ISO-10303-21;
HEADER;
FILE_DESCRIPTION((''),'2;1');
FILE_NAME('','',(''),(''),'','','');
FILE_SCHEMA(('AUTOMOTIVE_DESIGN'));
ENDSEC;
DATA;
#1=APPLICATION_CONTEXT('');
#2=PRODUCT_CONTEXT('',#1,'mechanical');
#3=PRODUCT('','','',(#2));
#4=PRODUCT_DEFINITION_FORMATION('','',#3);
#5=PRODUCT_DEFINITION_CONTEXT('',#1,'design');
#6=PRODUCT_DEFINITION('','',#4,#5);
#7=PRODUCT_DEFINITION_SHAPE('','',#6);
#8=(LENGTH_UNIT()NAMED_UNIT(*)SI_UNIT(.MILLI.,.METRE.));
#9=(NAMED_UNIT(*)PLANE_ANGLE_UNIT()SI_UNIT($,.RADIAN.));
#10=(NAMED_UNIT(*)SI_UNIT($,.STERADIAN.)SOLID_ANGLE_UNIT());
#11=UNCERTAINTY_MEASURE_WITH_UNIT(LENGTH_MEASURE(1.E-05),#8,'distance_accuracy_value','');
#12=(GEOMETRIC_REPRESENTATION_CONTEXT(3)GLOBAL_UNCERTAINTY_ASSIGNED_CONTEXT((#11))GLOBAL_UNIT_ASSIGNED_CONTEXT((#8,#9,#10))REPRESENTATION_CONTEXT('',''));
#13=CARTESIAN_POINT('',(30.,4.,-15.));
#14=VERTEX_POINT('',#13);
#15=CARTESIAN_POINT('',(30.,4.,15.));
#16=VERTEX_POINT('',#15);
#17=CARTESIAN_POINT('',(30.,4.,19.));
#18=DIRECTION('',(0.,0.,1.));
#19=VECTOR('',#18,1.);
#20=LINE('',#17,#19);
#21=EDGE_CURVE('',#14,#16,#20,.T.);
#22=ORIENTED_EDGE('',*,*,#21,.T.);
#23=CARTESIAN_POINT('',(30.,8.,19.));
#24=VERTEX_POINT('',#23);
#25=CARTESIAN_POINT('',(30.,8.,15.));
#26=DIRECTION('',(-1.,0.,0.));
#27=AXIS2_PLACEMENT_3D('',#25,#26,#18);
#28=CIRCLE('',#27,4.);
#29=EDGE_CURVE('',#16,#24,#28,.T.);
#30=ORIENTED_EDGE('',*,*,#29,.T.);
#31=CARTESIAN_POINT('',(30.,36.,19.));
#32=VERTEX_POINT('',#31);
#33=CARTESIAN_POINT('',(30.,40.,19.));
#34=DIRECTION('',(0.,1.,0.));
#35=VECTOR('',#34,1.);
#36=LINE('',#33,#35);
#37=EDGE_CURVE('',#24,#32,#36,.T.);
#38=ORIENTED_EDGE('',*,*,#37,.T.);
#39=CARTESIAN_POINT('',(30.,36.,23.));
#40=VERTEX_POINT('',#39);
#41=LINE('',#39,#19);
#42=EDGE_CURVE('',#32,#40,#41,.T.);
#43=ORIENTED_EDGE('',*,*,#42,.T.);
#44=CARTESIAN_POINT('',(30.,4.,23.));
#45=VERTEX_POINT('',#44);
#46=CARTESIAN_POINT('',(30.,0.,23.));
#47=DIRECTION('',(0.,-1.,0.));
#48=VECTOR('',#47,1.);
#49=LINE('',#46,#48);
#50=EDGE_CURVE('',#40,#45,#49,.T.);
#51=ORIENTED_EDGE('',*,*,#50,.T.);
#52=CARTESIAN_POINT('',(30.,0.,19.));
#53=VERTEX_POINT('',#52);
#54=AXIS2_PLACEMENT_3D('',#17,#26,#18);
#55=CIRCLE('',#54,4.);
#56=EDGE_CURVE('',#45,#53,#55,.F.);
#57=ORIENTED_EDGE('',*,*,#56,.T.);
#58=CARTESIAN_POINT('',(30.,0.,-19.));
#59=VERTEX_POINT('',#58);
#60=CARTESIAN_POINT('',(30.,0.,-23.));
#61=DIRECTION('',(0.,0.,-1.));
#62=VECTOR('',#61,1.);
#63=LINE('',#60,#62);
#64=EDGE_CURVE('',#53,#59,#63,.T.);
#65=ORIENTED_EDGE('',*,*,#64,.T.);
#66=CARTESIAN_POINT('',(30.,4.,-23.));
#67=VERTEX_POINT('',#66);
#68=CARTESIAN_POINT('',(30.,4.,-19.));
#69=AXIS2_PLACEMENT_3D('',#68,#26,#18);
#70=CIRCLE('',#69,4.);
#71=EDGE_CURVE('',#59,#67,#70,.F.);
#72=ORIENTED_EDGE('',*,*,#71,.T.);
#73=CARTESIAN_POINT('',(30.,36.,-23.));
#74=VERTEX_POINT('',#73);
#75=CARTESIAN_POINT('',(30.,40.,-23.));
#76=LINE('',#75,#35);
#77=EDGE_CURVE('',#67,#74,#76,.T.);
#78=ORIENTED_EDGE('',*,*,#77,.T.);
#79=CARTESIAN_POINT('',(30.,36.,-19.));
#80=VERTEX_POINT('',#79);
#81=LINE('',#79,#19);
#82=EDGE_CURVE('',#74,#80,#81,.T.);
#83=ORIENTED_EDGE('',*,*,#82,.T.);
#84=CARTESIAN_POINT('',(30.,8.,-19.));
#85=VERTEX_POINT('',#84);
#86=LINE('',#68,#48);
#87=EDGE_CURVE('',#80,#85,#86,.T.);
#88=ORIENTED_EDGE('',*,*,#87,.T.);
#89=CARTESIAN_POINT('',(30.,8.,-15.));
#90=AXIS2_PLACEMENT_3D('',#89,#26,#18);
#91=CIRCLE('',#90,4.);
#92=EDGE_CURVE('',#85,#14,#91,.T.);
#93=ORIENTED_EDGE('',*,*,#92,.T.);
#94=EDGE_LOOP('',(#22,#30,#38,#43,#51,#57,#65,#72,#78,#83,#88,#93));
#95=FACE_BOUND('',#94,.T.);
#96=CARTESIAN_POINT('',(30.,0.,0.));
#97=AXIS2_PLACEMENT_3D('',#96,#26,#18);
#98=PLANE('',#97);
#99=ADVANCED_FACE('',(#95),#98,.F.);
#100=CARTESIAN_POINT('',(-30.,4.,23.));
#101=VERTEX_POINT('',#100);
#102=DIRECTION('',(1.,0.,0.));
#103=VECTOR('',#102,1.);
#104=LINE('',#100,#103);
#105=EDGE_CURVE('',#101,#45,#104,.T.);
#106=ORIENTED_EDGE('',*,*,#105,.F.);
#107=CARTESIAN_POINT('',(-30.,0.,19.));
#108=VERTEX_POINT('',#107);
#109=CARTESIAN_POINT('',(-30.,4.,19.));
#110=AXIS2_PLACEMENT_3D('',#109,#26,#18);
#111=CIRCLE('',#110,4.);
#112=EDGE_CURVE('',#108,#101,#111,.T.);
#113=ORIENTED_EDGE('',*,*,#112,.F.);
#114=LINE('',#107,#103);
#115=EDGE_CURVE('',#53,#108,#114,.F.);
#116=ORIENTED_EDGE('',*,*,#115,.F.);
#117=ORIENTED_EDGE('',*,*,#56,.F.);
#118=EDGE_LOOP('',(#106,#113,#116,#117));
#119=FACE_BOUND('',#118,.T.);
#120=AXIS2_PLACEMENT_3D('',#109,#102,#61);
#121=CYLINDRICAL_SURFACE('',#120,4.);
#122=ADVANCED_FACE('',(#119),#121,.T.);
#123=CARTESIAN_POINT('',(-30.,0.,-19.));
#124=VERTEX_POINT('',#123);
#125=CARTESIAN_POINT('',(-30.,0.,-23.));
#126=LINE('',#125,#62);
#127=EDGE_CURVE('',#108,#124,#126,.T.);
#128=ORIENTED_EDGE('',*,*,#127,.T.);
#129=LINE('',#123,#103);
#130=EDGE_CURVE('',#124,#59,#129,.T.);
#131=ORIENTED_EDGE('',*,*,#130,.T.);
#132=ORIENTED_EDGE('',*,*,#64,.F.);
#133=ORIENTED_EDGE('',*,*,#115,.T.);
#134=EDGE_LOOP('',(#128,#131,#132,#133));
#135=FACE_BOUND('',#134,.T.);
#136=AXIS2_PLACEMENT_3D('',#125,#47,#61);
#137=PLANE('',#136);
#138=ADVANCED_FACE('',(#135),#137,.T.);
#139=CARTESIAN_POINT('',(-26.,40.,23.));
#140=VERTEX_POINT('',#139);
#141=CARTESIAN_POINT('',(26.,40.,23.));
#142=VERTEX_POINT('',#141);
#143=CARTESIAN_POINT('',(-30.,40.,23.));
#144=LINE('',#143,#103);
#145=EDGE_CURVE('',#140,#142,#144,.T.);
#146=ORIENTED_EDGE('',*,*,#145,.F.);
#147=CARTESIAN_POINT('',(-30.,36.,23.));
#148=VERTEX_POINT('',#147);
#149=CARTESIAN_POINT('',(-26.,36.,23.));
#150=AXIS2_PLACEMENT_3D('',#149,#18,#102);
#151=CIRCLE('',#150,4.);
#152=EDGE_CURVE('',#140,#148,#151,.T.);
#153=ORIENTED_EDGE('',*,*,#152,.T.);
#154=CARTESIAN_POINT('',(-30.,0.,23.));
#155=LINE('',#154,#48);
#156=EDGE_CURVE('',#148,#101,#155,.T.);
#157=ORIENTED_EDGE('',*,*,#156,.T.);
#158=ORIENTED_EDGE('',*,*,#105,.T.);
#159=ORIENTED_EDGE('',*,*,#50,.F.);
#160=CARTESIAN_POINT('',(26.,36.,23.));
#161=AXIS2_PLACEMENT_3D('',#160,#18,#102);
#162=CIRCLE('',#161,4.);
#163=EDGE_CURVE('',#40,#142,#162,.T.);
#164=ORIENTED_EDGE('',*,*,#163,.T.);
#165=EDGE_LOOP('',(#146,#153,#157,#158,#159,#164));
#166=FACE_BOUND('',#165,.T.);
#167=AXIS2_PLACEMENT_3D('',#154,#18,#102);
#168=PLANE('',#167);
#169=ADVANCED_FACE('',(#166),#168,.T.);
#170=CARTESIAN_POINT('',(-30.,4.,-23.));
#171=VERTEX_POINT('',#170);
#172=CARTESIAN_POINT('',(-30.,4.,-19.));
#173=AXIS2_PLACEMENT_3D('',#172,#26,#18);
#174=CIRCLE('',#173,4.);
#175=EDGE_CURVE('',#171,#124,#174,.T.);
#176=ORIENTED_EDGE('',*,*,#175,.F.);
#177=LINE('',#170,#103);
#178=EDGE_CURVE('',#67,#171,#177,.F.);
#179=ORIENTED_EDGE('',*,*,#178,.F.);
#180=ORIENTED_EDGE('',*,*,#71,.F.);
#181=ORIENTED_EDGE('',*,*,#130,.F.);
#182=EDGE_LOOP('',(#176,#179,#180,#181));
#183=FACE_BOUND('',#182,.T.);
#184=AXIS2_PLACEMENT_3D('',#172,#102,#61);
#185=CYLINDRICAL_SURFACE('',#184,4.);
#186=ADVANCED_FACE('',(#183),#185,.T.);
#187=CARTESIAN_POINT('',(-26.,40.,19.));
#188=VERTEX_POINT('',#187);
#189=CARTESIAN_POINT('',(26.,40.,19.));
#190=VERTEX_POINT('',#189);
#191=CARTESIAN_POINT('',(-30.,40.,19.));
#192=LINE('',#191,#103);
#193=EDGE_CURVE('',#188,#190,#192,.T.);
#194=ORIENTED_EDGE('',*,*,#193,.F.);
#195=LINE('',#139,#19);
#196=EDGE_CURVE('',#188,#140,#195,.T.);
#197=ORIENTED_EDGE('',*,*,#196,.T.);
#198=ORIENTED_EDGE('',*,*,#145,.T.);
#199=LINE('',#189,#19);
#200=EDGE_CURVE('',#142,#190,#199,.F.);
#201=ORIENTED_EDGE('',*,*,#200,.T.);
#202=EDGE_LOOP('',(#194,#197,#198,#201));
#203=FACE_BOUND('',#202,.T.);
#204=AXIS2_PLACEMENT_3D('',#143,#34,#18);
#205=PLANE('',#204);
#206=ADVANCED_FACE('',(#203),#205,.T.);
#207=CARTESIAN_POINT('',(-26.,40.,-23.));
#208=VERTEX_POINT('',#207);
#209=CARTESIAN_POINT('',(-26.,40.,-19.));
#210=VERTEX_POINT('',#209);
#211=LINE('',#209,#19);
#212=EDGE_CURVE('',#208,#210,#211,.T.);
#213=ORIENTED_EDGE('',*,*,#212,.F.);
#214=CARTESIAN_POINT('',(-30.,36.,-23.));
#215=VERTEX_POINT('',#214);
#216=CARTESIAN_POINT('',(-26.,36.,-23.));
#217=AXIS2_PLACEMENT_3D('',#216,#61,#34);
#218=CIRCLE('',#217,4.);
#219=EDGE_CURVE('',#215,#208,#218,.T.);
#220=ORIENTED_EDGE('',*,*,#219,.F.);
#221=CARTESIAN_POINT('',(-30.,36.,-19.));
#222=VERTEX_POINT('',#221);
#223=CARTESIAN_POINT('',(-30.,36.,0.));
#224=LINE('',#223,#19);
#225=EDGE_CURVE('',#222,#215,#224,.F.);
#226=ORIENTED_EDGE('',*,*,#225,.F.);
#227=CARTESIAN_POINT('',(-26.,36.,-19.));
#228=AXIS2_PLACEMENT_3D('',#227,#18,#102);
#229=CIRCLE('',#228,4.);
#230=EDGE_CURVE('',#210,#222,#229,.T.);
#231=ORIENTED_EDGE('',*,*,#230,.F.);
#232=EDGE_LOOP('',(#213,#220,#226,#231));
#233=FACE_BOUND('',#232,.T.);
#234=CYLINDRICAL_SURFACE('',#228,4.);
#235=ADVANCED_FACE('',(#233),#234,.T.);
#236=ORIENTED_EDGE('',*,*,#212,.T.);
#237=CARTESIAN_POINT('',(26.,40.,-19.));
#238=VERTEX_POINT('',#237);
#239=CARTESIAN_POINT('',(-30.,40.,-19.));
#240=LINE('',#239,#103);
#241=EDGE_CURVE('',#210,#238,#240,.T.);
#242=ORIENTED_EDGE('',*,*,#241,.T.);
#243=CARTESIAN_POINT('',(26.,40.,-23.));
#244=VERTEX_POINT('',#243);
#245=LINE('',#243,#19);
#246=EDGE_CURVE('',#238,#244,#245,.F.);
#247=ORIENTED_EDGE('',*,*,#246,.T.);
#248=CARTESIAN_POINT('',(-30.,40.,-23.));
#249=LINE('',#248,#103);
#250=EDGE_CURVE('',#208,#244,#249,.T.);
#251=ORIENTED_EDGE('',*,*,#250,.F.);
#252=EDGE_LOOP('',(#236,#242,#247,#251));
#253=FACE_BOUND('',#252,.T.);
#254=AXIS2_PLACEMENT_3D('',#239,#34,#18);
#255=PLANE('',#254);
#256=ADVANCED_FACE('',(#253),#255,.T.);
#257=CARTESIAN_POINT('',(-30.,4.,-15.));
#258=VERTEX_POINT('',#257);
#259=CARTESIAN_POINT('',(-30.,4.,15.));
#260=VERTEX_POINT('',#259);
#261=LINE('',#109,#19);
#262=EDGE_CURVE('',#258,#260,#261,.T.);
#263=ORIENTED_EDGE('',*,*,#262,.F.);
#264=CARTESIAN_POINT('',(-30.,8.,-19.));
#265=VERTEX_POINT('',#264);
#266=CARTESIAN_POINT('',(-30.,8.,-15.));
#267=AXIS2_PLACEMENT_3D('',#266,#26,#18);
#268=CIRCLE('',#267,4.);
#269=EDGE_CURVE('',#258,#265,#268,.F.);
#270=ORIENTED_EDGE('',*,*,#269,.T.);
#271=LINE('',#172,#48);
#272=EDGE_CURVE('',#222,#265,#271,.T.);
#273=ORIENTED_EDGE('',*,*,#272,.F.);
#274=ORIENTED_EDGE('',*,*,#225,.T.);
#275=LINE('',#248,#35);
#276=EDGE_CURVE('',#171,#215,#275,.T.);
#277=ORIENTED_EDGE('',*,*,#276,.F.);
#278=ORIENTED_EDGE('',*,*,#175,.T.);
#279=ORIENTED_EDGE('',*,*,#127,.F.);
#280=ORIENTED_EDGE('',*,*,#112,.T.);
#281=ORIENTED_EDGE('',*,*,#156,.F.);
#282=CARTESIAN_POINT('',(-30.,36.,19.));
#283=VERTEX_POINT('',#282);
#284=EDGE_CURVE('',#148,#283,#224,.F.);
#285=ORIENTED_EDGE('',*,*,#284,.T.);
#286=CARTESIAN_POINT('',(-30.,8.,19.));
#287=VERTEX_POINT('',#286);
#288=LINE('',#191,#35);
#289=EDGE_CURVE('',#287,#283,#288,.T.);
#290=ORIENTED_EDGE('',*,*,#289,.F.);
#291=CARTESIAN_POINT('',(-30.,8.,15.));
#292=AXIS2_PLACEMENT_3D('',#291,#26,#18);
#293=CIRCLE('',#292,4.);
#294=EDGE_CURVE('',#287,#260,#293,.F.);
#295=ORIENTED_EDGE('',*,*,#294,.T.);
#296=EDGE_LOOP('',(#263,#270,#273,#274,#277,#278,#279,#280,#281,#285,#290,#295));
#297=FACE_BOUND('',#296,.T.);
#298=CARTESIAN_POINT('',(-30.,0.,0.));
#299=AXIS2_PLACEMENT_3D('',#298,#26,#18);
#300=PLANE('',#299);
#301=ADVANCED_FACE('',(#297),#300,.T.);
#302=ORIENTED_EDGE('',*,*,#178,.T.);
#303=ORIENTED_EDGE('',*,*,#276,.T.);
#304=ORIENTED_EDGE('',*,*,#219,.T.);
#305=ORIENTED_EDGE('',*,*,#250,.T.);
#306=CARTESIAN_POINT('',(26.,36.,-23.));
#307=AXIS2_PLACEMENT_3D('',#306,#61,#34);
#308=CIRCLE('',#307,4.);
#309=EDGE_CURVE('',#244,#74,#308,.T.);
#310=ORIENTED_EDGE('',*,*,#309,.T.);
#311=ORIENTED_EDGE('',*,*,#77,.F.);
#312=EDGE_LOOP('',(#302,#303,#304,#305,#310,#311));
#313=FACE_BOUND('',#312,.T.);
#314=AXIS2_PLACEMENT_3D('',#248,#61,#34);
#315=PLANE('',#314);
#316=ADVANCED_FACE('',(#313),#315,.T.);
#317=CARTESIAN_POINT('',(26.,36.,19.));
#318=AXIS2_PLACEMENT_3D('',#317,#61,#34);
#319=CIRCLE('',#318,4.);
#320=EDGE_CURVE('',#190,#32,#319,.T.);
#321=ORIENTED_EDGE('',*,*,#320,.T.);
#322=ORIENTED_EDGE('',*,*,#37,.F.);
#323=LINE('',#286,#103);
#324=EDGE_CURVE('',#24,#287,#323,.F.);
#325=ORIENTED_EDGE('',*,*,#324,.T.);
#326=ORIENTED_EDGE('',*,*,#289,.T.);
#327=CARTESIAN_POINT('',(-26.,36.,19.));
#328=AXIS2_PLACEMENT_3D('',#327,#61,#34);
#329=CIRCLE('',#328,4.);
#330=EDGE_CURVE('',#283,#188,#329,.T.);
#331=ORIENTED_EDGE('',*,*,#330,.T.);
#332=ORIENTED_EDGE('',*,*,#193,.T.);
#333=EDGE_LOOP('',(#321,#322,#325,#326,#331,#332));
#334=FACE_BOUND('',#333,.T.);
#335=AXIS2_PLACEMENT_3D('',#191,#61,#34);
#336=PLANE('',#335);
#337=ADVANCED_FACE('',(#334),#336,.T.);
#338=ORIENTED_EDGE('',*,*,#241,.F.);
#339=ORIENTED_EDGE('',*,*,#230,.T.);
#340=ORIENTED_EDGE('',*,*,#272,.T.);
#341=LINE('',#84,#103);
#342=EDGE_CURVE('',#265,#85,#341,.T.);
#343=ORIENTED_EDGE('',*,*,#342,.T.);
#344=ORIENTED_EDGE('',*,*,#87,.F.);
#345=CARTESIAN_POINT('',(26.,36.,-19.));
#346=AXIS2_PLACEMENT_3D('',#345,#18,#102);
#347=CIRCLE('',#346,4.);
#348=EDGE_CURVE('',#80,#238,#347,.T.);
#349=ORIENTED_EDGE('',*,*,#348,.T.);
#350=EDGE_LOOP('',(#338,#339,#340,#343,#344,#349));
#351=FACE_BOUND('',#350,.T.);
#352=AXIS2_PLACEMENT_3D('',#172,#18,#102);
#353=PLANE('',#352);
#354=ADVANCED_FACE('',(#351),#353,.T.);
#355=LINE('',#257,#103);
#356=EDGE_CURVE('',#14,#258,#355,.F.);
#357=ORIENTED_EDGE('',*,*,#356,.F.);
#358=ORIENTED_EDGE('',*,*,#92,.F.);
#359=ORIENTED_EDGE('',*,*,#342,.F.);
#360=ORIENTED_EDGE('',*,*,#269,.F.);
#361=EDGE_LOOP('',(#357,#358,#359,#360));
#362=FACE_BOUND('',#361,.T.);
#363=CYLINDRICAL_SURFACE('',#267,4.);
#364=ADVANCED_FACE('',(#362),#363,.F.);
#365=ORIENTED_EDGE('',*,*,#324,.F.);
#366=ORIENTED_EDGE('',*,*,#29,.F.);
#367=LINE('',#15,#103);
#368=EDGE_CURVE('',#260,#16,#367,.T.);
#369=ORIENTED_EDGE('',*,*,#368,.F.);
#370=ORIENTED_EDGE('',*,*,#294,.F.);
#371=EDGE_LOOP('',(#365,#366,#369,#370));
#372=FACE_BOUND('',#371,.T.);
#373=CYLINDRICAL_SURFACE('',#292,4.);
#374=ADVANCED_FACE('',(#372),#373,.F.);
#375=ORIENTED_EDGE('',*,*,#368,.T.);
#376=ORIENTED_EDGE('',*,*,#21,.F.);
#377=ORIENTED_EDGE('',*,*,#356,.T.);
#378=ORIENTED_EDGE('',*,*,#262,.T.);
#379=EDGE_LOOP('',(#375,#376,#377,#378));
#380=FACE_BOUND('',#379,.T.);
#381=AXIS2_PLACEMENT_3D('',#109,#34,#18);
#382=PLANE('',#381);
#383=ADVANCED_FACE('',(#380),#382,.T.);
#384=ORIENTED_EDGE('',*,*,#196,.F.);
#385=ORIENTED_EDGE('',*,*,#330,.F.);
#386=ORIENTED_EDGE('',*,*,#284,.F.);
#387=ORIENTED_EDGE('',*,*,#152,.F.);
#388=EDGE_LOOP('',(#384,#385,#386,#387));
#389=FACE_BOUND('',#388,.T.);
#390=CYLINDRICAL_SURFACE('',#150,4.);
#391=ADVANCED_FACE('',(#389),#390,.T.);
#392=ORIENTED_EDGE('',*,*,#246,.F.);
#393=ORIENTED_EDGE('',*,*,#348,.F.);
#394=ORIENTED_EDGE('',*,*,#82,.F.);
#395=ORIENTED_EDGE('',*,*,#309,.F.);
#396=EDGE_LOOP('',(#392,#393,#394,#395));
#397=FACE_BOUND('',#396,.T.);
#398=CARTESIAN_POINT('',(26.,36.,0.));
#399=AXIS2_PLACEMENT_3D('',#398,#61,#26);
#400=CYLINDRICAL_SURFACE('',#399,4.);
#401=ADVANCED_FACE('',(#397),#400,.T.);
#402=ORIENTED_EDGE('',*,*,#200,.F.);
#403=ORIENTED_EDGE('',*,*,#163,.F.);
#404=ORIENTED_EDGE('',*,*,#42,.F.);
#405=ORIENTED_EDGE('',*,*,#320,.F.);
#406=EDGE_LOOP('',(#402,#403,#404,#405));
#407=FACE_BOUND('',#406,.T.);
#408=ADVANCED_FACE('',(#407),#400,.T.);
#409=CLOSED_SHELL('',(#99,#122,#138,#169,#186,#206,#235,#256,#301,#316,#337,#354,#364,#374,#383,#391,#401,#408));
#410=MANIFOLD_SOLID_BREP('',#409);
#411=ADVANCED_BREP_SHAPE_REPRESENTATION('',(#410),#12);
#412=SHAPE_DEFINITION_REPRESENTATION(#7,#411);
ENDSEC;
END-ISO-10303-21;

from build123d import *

# Parameters (mm, degrees)
AUFSATZ_LINEAR_AUSTRAGEN1_DEPTH = 30
VERRUNDUNG1_R                   = 4
VERRUNDUNG2_R                   = 4
VERRUNDUNG3_R                   = 4
VERRUNDUNG4_R                   = 4
VERRUNDUNG5_R                   = 4
VERRUNDUNG6_R                   = 4
VERRUNDUNG7_R                   = 4


with BuildPart() as part:
    # Skizze1 → Aufsatz-Linear austragen1 (new, symmetric)
    with BuildSketch(Plane(origin=(0, 0, 0), x_dir=(0, 0, -1), z_dir=(1, 0, 0))):
        Polygon((-23, 40), (-19, 40), (-19, 4), (19, 4), (19, 40), (23, 40), (23, 0), (-23, 0), align=None)
    extrude(amount=AUFSATZ_LINEAR_AUSTRAGEN1_DEPTH, both=True)

    # Verrundung1
    verrundung1_edges = [part.edges().sort_by_distance(p)[0] for p in [
        (0, 0, -23),
    ]]
    fillet(verrundung1_edges, radius=VERRUNDUNG1_R)

    # Verrundung2
    verrundung2_edges = [part.edges().sort_by_distance(p)[0] for p in [
        (0, 0, 23),
    ]]
    fillet(verrundung2_edges, radius=VERRUNDUNG2_R)

    # Verrundung3
    verrundung3_edges = [part.edges().sort_by_distance(p)[0] for p in [
        (-30, 40, -21),
    ]]
    fillet(verrundung3_edges, radius=VERRUNDUNG3_R)

    # Verrundung4
    verrundung4_edges = [part.edges().sort_by_distance(p)[0] for p in [
        (30, 40, -21),
    ]]
    fillet(verrundung4_edges, radius=VERRUNDUNG4_R)

    # Verrundung5
    verrundung5_edges = [part.edges().sort_by_distance(p)[0] for p in [
        (-30, 40, 21),
        (30, 40, 21),
    ]]
    fillet(verrundung5_edges, radius=VERRUNDUNG5_R)

    # Verrundung6
    verrundung6_edges = [part.edges().sort_by_distance(p)[0] for p in [
        (0, 4, 19),
    ]]
    fillet(verrundung6_edges, radius=VERRUNDUNG6_R)

    # Verrundung7
    verrundung7_edges = [part.edges().sort_by_distance(p)[0] for p in [
        (0, 4, -19),
    ]]
    fillet(verrundung7_edges, radius=VERRUNDUNG7_R)


solid = part.part
